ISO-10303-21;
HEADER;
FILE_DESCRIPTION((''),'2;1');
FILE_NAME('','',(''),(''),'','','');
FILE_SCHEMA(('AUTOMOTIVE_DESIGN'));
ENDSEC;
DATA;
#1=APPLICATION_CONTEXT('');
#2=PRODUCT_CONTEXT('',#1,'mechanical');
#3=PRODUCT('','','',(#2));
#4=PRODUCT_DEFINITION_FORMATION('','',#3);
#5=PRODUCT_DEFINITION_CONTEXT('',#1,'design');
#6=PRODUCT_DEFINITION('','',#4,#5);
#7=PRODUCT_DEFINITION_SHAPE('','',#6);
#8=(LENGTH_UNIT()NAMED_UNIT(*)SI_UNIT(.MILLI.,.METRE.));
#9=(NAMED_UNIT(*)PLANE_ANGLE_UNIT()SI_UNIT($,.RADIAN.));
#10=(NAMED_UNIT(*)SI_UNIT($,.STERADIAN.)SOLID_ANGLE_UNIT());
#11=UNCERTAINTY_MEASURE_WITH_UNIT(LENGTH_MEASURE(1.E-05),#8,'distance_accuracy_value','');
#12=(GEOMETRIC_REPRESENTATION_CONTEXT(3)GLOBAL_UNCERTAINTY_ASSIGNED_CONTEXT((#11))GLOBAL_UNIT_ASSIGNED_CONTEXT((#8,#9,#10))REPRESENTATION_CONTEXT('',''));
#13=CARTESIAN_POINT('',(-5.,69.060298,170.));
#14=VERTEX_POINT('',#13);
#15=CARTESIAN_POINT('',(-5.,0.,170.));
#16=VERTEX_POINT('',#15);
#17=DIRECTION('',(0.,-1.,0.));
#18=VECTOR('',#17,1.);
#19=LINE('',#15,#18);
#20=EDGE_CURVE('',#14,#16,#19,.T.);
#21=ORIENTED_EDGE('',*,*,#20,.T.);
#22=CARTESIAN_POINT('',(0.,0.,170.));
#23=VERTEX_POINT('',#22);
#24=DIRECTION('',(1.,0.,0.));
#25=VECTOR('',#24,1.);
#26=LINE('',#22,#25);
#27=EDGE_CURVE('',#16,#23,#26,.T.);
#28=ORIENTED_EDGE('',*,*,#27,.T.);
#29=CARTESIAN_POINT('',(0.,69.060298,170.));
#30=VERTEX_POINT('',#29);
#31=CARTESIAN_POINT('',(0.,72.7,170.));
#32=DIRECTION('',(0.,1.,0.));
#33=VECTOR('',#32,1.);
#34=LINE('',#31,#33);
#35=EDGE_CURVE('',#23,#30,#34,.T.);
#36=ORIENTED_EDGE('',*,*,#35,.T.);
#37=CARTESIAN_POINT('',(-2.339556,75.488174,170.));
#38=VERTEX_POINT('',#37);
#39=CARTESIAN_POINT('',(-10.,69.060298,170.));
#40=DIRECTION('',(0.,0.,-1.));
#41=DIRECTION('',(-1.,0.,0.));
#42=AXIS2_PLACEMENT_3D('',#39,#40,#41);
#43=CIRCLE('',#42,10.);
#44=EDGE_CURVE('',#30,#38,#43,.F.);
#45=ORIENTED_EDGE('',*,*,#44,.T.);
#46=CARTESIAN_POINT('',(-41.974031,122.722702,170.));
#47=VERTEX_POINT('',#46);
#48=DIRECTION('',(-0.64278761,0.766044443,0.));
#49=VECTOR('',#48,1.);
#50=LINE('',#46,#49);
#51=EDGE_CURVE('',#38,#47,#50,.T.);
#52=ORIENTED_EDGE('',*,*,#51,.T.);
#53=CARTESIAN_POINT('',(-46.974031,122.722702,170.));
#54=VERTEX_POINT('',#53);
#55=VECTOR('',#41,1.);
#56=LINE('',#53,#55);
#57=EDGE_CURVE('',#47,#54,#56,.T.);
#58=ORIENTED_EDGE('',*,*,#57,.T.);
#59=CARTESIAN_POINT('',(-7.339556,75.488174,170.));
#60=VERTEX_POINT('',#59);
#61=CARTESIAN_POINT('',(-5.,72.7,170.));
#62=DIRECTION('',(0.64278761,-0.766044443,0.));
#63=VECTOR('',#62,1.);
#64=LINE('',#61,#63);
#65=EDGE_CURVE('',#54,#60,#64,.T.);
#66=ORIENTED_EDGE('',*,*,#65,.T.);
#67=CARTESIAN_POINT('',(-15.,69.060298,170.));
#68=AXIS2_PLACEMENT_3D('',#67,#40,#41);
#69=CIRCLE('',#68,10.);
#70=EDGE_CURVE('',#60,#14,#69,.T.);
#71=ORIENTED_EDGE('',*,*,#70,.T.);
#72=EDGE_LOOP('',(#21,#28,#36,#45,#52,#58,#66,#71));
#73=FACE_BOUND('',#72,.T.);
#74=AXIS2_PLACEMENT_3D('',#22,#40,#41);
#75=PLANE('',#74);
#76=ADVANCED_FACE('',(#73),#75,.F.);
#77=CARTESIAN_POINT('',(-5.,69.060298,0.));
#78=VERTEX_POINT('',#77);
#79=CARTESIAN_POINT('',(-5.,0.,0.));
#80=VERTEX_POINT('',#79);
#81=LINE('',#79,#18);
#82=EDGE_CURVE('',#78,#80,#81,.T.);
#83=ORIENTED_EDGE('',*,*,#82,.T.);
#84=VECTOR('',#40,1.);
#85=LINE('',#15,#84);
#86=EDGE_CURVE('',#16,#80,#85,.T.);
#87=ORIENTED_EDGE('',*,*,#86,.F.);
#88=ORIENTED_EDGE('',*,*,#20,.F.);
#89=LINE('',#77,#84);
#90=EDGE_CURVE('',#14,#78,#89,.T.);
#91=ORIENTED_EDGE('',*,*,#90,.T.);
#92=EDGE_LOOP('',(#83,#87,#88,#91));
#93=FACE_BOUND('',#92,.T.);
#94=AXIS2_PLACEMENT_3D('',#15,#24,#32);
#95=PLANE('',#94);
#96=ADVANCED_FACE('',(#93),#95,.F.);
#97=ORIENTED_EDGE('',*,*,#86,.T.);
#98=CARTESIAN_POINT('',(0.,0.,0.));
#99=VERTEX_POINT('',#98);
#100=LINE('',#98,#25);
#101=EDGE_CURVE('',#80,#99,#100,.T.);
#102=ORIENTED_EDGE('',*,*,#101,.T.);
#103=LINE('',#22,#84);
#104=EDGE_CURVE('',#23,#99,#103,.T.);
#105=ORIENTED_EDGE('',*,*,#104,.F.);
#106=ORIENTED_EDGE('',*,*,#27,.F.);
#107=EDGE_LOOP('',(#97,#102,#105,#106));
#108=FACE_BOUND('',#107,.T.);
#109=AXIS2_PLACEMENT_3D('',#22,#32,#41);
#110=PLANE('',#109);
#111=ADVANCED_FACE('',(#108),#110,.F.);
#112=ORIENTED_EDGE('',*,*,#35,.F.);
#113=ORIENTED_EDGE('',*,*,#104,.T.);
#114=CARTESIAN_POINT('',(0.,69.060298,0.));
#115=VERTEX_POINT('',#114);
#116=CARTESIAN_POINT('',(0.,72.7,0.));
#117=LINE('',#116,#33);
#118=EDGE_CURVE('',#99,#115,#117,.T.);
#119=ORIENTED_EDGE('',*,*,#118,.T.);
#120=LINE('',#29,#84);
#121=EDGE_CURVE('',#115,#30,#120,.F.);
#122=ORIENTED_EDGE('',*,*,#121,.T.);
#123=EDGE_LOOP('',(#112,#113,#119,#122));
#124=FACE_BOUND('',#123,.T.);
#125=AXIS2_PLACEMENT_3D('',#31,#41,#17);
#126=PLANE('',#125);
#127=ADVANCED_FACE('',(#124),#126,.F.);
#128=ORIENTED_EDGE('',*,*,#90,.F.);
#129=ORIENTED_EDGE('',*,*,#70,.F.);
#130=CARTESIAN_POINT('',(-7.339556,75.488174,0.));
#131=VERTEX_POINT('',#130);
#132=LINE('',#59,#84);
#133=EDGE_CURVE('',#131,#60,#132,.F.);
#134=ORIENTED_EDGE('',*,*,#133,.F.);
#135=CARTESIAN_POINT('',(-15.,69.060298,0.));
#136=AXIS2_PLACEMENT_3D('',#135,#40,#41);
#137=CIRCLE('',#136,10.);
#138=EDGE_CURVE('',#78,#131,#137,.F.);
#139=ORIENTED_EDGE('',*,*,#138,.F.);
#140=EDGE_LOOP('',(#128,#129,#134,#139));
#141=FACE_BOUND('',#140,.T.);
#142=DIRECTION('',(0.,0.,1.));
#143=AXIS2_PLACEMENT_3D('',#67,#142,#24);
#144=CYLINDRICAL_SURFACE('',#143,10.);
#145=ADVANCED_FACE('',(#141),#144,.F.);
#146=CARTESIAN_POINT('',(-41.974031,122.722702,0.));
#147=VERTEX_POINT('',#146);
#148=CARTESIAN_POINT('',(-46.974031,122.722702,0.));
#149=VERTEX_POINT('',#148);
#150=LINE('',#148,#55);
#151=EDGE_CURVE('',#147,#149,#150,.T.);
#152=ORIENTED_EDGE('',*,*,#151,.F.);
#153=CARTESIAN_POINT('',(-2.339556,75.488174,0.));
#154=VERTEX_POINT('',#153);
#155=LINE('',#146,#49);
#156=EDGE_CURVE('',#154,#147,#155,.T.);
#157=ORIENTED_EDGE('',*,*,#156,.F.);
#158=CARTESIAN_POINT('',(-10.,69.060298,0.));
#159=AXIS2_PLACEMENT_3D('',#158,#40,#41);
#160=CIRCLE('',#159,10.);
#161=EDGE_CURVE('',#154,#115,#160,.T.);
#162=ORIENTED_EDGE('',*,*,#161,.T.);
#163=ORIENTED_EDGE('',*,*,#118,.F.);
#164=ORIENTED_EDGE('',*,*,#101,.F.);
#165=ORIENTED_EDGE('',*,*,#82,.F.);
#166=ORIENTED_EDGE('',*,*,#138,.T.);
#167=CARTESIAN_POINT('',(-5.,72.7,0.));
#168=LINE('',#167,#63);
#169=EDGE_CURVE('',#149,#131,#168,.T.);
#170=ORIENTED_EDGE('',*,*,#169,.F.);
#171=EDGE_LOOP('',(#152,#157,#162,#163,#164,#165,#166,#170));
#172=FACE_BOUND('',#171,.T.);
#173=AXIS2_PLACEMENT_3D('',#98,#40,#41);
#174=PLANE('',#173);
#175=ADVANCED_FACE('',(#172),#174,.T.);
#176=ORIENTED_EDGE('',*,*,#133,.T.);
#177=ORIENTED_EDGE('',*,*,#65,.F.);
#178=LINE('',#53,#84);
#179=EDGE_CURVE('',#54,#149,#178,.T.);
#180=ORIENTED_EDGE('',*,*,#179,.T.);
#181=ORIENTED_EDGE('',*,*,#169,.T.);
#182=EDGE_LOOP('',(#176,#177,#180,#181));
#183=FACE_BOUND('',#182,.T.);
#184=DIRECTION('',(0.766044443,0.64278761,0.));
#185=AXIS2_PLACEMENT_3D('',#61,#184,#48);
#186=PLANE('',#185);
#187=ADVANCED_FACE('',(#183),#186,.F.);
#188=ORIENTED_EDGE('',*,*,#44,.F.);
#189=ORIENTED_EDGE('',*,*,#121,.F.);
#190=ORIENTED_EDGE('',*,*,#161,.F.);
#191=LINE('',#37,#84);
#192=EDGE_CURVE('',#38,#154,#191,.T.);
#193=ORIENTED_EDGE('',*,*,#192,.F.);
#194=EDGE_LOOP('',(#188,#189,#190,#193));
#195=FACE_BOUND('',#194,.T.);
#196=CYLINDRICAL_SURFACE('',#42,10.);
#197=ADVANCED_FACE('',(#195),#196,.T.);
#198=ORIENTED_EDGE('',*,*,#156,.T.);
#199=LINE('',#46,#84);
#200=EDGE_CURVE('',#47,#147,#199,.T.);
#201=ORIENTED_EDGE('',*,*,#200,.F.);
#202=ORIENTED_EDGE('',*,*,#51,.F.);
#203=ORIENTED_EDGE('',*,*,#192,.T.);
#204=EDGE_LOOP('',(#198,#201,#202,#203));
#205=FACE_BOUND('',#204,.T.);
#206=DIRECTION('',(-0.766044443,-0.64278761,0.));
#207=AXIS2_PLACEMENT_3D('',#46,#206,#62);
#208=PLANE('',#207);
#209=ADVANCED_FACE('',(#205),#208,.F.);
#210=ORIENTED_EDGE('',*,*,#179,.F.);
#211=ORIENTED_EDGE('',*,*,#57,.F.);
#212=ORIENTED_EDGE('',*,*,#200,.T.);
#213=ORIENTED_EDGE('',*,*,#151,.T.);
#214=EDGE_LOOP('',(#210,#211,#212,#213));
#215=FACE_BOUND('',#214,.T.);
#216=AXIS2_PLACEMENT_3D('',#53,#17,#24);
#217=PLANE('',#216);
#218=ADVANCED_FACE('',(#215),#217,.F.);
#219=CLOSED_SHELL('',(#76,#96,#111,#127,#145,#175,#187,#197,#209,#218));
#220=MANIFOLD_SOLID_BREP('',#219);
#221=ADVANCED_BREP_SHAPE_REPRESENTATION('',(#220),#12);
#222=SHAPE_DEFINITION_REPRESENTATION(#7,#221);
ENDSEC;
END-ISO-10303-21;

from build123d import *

# Parameters (mm, degrees)
FUNNEL_LEFT_SIDE_DEPTH = 170
FILLET1_R              = 10


with BuildPart() as part:
    # Sketch1 → Funnel - Left Side (new body)
    with BuildSketch(Plane.XY):
        Polygon((0, 0), (-5, 0), (-5, 72.7), (-46.974030913, 122.722702136), (-41.974030913, 122.722702136), (0, 72.7), align=None)
    extrude(amount=FUNNEL_LEFT_SIDE_DEPTH)

    # Fillet1
    fillet1_edges = [part.edges().sort_by_distance(p)[0] for p in [
        (-5, 72.7, 85),
        (0, 72.7, 85),
    ]]
    fillet(fillet1_edges, radius=FILLET1_R)


solid = part.part
